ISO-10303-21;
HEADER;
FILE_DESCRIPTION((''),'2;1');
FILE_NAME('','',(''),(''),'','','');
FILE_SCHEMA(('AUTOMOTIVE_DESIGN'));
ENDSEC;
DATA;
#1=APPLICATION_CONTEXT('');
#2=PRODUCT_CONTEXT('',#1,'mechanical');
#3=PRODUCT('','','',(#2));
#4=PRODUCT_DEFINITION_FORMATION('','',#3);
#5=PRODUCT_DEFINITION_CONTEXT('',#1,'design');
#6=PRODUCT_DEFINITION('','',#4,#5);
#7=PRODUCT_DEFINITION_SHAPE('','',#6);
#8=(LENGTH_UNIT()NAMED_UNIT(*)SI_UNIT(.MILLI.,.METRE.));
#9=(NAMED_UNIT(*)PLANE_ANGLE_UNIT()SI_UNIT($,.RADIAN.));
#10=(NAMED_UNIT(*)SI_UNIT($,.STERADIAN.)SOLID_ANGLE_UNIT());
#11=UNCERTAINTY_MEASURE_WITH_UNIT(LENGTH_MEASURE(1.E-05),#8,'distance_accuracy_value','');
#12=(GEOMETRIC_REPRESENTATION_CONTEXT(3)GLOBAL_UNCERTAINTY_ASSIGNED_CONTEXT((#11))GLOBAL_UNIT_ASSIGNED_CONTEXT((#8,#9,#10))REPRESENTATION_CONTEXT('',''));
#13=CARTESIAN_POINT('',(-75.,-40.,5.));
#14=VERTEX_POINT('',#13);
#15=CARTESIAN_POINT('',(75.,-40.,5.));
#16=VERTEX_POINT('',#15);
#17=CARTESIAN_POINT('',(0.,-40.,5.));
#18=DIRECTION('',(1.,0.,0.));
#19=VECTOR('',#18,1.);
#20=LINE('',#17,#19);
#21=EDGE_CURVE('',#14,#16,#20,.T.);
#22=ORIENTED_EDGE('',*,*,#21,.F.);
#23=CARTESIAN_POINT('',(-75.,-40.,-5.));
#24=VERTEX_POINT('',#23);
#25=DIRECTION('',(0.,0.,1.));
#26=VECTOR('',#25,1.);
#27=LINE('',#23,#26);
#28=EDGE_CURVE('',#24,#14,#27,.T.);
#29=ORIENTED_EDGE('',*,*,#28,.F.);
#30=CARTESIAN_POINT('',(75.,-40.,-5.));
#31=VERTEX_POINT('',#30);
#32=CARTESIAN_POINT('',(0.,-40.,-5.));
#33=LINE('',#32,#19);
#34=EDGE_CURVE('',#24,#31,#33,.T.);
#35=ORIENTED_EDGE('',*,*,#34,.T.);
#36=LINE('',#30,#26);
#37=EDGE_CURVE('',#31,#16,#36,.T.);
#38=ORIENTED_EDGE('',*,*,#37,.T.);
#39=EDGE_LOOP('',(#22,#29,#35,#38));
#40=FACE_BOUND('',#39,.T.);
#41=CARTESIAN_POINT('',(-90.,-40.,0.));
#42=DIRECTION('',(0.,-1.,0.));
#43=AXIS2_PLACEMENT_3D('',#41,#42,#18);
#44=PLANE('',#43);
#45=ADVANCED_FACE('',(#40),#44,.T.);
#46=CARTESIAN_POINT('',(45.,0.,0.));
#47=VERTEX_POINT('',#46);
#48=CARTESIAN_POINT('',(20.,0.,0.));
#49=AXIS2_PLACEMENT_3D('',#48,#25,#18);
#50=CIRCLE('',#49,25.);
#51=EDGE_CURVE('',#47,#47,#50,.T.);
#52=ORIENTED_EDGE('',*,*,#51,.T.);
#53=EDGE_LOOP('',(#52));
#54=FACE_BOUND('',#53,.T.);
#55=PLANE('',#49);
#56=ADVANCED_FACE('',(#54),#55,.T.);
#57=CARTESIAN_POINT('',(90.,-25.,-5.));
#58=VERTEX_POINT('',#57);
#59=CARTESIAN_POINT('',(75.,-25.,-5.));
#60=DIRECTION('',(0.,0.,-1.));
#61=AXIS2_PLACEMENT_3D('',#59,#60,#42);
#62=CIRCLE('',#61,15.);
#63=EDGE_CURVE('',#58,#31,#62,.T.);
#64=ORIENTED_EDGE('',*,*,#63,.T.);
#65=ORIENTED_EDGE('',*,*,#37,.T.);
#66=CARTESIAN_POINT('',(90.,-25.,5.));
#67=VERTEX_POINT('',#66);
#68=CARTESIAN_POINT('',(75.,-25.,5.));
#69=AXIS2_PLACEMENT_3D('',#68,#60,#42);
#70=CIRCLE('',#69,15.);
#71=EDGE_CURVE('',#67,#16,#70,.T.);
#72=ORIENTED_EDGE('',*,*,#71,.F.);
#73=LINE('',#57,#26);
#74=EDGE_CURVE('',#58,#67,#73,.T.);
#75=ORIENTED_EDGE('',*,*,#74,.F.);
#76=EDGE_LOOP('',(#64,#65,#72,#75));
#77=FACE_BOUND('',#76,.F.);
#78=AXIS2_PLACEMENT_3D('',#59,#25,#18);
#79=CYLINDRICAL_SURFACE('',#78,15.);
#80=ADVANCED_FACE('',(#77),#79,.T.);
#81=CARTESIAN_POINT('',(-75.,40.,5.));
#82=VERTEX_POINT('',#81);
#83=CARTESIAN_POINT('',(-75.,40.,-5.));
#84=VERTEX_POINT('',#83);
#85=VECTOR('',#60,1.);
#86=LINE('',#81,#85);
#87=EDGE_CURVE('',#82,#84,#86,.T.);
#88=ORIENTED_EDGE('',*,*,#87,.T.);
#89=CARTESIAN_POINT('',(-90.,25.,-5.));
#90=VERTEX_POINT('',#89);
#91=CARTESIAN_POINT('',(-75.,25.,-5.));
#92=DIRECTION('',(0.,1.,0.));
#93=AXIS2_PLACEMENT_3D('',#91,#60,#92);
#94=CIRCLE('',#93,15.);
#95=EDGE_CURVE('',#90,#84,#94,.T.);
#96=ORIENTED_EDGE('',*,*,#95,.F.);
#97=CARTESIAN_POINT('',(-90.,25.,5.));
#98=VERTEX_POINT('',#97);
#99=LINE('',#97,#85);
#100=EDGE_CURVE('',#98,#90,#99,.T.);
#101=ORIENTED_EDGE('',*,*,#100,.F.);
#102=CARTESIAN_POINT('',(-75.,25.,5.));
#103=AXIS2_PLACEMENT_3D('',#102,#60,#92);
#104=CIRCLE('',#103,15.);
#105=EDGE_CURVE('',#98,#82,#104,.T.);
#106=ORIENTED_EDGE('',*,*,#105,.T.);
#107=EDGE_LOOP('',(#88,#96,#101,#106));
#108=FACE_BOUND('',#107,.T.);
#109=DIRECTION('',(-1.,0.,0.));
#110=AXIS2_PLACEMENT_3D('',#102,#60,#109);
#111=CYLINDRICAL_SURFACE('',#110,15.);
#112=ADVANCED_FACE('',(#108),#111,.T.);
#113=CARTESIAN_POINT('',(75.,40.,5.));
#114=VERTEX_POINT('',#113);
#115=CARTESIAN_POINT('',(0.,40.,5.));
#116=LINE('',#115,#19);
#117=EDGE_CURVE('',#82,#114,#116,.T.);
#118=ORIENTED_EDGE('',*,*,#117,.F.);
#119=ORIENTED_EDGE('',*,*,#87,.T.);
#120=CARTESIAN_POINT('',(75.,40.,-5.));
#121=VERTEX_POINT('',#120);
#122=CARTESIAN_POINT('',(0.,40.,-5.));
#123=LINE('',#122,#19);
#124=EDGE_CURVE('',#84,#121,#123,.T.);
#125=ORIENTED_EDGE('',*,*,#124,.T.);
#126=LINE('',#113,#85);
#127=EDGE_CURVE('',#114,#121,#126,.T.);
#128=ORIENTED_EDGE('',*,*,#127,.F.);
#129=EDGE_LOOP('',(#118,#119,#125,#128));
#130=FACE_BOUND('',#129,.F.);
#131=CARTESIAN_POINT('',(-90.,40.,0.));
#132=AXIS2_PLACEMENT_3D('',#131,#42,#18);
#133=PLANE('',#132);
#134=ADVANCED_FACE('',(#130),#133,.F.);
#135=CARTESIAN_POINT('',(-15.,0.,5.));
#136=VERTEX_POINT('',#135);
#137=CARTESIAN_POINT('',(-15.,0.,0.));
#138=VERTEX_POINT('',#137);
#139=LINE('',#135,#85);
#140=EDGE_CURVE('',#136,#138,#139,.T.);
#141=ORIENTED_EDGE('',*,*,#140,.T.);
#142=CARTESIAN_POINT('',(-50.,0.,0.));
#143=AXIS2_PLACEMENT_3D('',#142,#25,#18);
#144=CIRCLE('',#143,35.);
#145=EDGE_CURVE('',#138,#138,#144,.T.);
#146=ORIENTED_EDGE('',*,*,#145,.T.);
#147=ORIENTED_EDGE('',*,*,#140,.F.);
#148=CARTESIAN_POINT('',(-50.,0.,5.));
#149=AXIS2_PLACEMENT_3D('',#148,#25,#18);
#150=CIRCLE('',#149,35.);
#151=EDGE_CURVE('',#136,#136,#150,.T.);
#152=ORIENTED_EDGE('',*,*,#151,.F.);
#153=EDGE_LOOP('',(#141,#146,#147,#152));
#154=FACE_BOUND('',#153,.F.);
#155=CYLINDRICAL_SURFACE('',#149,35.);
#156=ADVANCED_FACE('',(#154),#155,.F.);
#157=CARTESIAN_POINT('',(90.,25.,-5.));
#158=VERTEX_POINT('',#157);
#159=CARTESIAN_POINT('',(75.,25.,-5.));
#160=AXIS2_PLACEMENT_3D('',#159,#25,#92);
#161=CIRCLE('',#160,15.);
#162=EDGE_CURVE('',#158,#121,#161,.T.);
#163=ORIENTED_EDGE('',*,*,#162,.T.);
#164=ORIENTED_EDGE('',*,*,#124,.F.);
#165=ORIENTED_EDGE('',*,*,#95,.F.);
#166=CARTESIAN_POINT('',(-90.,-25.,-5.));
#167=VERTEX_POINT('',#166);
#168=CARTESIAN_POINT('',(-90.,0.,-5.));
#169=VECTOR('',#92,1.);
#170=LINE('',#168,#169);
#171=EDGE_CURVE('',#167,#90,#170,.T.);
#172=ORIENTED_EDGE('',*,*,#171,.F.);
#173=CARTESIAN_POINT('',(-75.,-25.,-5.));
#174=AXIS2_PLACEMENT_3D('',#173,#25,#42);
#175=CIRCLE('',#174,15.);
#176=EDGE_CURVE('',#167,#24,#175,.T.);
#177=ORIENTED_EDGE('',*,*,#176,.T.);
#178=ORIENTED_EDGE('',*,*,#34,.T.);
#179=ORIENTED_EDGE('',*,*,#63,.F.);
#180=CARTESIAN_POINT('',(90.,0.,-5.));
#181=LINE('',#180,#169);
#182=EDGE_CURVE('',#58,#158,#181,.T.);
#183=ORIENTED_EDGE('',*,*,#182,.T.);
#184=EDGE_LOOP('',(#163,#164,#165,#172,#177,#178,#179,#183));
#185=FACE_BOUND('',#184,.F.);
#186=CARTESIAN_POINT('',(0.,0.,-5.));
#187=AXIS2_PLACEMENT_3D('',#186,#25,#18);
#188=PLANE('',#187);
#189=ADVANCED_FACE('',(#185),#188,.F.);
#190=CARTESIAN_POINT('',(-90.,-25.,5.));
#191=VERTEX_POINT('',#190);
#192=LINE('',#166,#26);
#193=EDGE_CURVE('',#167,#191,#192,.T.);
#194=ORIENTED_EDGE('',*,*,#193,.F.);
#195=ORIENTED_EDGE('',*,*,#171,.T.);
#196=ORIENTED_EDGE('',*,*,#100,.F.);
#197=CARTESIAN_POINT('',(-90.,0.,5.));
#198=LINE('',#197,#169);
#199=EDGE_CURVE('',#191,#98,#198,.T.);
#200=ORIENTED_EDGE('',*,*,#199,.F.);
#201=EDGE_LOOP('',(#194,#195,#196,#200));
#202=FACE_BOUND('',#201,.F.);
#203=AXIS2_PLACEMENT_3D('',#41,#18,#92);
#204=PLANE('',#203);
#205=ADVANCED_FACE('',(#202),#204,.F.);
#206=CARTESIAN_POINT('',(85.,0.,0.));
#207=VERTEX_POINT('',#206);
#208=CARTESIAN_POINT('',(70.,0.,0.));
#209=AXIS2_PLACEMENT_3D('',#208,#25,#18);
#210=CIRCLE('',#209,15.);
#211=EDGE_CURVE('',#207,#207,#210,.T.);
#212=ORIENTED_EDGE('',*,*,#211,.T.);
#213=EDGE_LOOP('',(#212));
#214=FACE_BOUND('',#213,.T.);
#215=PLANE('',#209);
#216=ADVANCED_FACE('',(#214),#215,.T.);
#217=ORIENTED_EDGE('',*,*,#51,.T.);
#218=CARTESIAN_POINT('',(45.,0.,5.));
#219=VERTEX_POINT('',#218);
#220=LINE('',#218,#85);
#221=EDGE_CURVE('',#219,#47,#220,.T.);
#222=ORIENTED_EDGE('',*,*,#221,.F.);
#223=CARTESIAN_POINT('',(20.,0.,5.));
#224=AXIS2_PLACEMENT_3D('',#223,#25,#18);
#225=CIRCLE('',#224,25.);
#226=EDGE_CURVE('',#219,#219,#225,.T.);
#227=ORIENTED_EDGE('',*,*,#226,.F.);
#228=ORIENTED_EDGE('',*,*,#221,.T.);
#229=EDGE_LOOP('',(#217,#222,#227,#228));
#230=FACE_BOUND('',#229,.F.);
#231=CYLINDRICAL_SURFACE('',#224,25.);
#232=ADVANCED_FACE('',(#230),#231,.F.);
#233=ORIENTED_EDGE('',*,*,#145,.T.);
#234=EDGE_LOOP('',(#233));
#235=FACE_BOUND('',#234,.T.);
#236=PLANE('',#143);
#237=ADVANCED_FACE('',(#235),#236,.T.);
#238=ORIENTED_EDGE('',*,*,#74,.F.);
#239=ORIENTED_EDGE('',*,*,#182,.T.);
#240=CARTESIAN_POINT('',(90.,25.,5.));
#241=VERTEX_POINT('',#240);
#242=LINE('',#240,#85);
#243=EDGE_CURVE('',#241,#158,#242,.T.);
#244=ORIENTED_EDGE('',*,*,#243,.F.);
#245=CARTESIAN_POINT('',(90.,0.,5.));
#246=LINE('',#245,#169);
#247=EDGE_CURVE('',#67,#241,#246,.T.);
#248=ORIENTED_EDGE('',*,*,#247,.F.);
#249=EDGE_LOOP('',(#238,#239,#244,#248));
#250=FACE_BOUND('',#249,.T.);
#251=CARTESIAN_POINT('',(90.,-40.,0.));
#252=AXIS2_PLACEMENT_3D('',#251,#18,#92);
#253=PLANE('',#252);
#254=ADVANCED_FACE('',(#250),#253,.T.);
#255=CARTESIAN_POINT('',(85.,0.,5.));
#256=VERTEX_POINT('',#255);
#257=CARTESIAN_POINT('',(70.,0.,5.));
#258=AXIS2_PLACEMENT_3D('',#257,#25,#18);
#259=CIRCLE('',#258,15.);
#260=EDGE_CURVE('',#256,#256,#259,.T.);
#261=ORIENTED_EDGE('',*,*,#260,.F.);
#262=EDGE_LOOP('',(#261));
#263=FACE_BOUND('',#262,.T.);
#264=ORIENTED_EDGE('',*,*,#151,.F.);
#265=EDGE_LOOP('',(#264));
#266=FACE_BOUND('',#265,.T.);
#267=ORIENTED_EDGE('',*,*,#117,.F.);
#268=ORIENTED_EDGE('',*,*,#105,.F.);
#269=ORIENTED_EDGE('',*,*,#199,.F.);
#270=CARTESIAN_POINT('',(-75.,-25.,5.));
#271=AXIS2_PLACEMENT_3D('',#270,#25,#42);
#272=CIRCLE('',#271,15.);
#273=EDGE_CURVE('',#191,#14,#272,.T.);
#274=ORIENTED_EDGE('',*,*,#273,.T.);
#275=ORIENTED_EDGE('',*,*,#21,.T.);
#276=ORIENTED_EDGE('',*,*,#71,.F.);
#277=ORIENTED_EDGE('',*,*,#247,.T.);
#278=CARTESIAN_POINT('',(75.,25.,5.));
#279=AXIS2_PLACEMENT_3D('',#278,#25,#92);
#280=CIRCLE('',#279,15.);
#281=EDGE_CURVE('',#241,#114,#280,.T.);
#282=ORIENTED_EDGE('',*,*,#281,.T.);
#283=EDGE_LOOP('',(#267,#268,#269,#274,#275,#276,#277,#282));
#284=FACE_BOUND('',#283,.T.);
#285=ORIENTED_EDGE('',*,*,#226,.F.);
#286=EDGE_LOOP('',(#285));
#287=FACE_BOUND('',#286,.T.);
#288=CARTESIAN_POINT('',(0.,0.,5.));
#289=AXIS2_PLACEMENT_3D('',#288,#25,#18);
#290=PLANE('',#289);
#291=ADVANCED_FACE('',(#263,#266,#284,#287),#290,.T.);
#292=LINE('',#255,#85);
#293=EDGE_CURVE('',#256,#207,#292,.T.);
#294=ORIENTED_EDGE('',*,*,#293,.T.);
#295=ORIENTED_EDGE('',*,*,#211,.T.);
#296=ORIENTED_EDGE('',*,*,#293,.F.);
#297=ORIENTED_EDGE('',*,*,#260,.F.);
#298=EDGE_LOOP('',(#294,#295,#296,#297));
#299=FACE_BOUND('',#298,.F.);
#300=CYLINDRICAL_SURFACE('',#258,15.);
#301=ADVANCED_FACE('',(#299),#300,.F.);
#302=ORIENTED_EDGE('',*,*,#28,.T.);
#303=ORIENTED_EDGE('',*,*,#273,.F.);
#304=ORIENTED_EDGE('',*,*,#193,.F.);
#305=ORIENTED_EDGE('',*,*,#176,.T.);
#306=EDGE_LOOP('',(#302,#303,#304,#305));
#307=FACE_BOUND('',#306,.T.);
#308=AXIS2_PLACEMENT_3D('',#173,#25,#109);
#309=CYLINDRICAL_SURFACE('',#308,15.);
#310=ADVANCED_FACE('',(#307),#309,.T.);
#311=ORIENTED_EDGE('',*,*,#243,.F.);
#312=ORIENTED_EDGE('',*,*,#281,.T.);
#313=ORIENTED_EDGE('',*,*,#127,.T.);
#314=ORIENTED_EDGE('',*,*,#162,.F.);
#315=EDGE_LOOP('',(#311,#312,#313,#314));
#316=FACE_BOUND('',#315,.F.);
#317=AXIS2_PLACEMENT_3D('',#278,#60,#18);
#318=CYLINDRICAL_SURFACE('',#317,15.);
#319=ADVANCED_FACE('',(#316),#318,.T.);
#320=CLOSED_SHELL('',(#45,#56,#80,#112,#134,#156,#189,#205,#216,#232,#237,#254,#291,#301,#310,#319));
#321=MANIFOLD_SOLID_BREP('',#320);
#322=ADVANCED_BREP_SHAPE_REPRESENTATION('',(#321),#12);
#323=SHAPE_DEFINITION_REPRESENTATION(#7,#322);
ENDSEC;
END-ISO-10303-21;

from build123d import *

# Parameters (mm, degrees)
F0_W     = 180
F0_H     = 80
F1_DEPTH = 5
F2_R     = 15
F3_R     = 35
F3_R_2   = 25
F3_R_3   = 15
F4_DEPTH = 5


with BuildPart() as f1:
    # F0 (on Top) → F1 (new body, symmetric)
    with BuildSketch(Plane.XY):
        Rectangle(F0_W, F0_H)
    extrude(amount=F1_DEPTH, both=True)

    # F2
    f2_edges = [f1.edges().sort_by_distance(p)[0] for p in [
        (90, 40, 0),
        (-90, 40, 0),
        (90, -40, 0),
        (-90, -40, 0),
    ]]
    fillet(f2_edges, radius=F2_R)

    # F3 (on face) → F4 (cut)
    with BuildSketch(Plane.XY.offset(5)):
        with Locations((-50, 0)):
            Circle(F3_R)
        with Locations((20, 0)):
            Circle(F3_R_2)
        with Locations((70, 0)):
            Circle(F3_R_3)
    extrude(amount=-F4_DEPTH, mode=Mode.SUBTRACT)


solid = f1.part
